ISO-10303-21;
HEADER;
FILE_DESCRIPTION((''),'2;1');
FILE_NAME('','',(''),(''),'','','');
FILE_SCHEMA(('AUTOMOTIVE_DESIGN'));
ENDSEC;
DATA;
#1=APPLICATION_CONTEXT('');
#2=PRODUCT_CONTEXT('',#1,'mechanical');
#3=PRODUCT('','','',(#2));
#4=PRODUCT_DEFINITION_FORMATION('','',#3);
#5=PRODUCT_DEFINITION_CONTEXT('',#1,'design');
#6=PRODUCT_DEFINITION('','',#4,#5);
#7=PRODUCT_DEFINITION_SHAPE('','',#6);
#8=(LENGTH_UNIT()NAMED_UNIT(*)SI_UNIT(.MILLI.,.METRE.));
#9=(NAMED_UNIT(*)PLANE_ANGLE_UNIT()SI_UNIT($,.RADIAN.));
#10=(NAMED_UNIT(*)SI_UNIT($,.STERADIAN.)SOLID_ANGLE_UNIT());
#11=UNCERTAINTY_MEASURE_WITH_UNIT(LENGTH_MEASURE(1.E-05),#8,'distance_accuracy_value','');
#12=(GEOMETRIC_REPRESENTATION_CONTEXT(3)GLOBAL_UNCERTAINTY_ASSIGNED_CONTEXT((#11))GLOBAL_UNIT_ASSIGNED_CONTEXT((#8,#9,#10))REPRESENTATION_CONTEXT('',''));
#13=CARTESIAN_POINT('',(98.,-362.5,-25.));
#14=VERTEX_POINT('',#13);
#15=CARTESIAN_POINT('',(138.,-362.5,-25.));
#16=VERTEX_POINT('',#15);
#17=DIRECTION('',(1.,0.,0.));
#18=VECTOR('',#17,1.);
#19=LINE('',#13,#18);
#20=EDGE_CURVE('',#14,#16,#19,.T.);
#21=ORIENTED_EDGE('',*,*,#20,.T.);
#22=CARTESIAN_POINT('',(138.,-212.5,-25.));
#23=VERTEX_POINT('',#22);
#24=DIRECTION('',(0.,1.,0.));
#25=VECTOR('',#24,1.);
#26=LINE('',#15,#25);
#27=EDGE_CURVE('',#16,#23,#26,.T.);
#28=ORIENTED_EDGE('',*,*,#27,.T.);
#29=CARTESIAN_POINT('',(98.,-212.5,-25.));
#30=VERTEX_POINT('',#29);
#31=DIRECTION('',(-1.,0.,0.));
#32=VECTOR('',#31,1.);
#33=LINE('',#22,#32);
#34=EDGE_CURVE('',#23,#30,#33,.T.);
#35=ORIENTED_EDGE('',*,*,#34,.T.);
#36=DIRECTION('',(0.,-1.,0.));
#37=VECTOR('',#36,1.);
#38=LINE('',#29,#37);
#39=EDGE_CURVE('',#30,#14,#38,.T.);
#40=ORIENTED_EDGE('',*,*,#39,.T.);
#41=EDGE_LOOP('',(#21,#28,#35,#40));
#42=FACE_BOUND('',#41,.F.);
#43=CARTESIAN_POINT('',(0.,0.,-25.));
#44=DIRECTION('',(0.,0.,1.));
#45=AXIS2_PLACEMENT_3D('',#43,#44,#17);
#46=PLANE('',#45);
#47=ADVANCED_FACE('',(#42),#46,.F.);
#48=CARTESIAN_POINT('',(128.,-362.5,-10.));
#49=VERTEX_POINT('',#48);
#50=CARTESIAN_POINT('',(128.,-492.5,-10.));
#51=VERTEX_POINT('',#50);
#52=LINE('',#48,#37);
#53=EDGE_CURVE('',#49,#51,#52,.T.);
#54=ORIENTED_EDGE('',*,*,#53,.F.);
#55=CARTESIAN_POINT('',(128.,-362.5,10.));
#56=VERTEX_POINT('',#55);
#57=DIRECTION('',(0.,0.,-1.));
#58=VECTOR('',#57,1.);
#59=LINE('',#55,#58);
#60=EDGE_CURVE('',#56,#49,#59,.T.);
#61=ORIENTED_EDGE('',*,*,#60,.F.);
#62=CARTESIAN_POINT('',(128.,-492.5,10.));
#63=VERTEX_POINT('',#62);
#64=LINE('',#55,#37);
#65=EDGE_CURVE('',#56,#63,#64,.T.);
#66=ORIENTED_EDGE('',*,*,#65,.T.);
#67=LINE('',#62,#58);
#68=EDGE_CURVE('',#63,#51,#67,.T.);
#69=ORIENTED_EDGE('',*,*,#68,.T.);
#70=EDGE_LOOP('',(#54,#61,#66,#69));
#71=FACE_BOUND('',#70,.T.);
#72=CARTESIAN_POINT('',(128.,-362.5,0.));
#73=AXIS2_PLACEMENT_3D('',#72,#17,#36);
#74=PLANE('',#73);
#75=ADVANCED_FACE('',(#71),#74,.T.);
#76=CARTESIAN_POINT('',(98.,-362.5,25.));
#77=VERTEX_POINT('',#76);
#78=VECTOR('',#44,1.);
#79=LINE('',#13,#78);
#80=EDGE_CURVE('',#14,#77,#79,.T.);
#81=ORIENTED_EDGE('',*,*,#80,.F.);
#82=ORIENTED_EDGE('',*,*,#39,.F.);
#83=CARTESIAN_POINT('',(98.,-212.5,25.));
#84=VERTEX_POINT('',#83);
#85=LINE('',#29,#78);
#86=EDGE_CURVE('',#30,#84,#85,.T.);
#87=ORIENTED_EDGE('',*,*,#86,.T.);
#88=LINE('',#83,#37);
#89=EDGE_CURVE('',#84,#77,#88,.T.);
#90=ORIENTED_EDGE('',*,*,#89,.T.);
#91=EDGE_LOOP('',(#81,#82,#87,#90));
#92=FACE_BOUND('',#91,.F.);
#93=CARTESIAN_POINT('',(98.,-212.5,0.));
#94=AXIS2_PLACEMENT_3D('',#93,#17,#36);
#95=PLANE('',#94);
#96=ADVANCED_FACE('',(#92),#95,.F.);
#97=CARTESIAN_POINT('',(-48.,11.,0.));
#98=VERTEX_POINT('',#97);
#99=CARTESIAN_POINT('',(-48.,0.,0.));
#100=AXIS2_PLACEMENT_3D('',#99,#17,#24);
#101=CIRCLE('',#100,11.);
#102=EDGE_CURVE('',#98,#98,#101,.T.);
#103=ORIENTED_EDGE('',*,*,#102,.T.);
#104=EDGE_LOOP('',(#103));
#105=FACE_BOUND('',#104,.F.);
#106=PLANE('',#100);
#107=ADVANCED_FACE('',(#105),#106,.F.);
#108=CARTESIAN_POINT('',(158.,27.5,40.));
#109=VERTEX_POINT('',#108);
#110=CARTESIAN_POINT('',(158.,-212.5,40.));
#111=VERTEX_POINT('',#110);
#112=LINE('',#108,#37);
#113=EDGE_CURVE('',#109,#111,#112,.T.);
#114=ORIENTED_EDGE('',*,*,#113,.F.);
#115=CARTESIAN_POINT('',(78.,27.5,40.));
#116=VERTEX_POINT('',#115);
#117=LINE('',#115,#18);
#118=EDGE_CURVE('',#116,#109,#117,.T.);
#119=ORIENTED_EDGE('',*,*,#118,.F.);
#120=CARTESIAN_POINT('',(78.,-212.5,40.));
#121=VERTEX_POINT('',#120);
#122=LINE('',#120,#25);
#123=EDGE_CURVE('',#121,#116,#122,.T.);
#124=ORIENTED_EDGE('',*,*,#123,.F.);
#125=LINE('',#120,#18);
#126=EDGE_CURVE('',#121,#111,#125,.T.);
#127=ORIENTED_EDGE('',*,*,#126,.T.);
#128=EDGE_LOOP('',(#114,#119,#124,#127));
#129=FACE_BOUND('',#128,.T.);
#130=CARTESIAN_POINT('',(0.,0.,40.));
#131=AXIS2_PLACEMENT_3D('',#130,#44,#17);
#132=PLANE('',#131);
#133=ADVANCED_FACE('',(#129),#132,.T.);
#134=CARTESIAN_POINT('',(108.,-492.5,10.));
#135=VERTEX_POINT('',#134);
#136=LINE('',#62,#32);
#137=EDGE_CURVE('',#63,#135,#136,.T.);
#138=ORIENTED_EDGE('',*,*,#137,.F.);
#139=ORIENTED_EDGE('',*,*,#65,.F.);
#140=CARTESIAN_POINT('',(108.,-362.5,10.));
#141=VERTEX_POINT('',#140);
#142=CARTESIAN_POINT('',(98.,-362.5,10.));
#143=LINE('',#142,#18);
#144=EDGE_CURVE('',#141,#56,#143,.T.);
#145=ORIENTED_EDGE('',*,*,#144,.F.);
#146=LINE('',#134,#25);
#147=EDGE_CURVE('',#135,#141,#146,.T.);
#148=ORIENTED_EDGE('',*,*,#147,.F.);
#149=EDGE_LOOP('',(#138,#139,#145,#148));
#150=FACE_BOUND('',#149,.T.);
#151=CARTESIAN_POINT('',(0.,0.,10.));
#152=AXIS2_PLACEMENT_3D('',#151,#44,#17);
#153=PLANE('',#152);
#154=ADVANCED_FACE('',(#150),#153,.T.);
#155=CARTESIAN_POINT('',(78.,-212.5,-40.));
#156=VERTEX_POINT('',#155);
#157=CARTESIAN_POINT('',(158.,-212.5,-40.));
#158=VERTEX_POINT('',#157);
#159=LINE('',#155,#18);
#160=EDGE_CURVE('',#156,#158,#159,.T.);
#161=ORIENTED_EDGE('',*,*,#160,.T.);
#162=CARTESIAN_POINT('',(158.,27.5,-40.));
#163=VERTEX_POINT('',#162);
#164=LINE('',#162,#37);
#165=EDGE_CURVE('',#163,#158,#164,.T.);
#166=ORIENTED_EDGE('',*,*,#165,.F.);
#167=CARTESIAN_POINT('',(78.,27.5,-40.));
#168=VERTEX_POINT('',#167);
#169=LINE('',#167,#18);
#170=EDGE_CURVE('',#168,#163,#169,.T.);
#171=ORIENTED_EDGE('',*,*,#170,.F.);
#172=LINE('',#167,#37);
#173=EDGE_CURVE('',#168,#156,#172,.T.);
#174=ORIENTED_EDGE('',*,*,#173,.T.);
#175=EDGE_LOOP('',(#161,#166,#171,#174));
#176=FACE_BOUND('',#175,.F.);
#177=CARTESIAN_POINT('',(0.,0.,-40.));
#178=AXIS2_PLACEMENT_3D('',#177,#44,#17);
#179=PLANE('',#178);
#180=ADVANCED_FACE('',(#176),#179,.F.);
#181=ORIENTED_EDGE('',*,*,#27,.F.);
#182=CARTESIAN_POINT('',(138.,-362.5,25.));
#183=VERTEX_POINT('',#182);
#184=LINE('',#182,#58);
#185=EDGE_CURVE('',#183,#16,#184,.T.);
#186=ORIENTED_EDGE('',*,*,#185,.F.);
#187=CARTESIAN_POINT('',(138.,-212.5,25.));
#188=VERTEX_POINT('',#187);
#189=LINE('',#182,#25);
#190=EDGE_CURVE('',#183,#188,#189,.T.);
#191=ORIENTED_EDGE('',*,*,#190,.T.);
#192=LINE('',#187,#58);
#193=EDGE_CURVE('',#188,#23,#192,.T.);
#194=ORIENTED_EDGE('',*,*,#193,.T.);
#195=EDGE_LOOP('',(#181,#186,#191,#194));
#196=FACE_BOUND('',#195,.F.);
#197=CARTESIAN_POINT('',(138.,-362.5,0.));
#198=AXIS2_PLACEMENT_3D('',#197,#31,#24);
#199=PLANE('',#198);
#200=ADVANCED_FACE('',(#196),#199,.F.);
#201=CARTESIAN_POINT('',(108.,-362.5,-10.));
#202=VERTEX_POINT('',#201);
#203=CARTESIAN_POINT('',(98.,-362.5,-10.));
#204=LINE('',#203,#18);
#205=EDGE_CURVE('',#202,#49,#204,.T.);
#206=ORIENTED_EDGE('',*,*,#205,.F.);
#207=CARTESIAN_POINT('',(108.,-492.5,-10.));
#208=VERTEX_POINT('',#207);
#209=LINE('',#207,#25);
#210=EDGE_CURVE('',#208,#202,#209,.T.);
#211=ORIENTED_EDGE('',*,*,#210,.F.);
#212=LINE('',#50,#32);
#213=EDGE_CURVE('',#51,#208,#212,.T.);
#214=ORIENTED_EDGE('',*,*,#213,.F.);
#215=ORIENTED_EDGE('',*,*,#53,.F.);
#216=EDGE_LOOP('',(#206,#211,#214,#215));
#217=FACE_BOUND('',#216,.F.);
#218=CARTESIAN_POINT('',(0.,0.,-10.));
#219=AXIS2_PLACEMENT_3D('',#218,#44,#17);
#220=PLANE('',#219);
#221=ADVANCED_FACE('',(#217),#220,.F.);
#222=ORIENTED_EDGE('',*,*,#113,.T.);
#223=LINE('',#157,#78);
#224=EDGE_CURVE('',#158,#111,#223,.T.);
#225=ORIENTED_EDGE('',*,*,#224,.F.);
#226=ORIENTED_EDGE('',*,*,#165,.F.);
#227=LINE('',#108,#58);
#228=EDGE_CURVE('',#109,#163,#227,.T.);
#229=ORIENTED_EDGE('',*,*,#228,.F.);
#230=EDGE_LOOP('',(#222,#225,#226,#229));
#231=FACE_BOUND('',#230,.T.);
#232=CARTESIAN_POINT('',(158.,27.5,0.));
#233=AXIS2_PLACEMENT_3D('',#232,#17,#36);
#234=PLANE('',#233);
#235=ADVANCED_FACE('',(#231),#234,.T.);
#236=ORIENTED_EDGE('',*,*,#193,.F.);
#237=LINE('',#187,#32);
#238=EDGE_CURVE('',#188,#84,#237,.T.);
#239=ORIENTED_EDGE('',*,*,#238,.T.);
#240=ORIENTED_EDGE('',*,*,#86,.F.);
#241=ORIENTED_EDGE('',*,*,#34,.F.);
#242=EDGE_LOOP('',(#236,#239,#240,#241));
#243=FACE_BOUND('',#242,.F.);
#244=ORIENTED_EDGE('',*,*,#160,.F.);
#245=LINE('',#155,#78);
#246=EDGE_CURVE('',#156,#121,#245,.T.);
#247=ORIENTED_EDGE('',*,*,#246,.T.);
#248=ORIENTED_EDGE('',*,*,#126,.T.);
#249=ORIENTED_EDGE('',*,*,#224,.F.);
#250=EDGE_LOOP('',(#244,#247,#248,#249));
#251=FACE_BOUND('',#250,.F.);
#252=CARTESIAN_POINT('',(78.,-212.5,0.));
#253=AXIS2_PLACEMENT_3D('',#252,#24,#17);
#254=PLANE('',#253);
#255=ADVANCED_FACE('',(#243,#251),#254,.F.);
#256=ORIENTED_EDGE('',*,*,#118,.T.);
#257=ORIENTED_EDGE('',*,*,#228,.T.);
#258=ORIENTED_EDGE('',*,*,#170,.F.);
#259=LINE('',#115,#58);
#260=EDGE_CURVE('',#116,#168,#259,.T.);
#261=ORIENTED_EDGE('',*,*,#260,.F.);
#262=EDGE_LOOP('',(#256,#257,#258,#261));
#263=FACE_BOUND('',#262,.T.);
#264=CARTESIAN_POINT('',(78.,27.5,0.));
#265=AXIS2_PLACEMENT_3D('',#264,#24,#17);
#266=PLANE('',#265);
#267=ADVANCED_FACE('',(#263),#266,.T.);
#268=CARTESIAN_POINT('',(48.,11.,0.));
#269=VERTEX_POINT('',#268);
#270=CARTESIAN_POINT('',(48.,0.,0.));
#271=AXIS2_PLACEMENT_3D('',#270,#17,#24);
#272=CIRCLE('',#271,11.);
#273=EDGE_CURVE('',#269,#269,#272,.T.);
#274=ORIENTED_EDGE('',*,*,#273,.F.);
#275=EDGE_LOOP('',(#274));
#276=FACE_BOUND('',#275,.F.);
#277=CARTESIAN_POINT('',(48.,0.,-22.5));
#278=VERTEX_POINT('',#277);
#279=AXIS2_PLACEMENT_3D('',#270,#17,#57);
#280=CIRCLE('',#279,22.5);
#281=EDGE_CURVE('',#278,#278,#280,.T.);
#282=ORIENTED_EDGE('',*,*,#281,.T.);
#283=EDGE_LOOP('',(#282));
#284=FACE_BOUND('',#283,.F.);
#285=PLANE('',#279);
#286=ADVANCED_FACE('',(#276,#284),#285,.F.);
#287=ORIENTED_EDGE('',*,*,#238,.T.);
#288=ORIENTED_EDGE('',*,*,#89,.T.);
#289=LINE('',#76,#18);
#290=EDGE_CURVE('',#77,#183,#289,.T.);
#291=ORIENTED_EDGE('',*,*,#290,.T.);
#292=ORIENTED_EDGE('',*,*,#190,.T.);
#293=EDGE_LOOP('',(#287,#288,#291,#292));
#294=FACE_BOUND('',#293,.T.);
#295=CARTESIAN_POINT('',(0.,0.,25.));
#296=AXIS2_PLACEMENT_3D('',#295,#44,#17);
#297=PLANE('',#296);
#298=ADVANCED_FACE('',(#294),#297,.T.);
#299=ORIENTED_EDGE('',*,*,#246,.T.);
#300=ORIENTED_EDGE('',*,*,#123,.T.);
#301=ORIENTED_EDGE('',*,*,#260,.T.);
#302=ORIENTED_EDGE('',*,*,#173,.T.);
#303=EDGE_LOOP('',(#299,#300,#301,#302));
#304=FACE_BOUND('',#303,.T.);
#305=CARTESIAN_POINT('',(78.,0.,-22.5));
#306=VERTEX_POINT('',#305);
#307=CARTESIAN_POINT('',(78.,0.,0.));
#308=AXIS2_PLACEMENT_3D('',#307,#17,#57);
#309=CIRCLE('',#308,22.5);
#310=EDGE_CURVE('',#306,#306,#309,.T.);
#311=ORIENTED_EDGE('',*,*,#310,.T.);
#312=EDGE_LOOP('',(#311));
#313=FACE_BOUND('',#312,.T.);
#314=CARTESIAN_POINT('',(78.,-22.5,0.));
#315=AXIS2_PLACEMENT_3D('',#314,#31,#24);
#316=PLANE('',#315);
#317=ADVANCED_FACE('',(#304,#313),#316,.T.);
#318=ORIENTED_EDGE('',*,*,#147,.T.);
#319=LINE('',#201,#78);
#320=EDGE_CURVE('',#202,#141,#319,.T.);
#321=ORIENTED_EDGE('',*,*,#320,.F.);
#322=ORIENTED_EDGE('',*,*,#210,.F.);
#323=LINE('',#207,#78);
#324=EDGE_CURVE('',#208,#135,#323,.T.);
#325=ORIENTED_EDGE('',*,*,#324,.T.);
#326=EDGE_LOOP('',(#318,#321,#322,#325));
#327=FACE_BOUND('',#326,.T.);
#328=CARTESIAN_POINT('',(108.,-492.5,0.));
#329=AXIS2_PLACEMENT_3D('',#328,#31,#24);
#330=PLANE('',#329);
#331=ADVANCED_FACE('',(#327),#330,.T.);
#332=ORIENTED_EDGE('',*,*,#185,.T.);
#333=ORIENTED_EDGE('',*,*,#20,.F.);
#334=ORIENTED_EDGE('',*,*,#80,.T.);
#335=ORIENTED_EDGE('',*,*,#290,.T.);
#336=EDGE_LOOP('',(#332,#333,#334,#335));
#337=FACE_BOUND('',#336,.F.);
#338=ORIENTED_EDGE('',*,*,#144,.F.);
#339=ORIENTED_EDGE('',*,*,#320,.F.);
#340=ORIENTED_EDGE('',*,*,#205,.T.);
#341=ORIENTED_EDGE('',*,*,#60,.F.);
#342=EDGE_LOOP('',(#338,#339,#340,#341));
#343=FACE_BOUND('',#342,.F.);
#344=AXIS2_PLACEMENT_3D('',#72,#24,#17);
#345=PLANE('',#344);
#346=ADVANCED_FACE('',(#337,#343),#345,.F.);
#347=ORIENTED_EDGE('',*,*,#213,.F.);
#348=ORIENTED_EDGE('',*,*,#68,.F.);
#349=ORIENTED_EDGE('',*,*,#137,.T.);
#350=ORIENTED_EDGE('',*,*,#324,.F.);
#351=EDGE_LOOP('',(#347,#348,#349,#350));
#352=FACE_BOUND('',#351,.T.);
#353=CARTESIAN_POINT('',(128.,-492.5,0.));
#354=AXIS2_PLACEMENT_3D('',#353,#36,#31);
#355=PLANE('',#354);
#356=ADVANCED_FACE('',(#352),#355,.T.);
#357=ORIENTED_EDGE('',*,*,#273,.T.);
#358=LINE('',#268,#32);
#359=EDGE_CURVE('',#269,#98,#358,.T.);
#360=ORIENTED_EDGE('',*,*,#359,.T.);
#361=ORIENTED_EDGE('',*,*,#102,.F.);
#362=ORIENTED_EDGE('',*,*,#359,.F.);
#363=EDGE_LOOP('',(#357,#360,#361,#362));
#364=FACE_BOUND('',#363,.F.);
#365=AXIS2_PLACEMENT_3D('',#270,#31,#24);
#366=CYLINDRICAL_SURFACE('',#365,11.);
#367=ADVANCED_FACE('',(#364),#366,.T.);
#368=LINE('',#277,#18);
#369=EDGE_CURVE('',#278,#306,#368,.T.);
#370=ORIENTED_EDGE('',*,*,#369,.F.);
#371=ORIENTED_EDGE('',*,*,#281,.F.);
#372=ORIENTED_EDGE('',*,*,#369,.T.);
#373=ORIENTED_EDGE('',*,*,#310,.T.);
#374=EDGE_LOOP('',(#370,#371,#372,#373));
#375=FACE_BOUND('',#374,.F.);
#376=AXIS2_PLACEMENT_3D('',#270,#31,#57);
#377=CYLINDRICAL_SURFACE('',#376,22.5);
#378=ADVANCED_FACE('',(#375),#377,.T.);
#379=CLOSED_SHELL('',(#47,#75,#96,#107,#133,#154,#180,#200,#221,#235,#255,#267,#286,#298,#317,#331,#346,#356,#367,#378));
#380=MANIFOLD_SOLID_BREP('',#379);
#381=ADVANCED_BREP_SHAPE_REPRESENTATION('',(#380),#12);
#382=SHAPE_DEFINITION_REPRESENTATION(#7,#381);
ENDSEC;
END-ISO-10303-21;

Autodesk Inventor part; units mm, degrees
ref_plane "YZ Plane" through (0, 0, 0) normal (1, 0, 0) x (0, 1, 0)
ref_plane "XZ Plane" through (0, 0, 0) normal (0, 1, 0) x (-1, 0, 0)
ref_plane "XY Plane" through (0, 0, 0) normal (0, 0, 1) x (1, 0, 0)
sketch "Sketch1" plane through (0, 0, 0) normal (0, 0, 1) x (1, 0, 0)
  line L0 (-76.6085, 0) -> (76.6085, 0) construction
  line L1 (-48, 0) -> (48, 0)
  line L2 (48, 0) -> (48, 11)
  line L3 (48, 11) -> (-48, 11)
  line L4 (-48, 11) -> (-48, 0)
  point P0 (0, 0)
  point P1 (0, 0)
  point P2 (0, 11)
  dimension "d0" = 96
  dimension "d1" = 11
revolve "Revolution1" add sketch "Sketch1" angle 360 about axis through (-76.6085, 0, 0) along (1, 0, 0)
sketch "Sketch2" plane through (48, 0, 0) normal (1, 0, 0) x (0, 0, -1)
  circle A0 centre (0, 0) radius 22.5
  dimension "d3" = 45
extrude "Extrusion1" add sketch "Sketch2" along normal blind 30
sketch "Sketch3" plane through (0, 0, 0) normal (0, 0, 1) x (1, 0, 0)
  line L0 (78, -22.5) -> (78, 22.5) projected
  line L1 (78, 27.5) -> (78, -212.5)
  line L2 (48, 22.5) -> (78, 22.5) projected
  line L3 (48, -22.5) -> (78, -22.5) projected
  line L4 (78, 27.5) -> (158, 27.5)
  line L5 (158, 27.5) -> (158, -212.5)
  line L6 (78, -212.5) -> (98, -212.5)
  line L7 (158, -212.5) -> (138, -212.5)
  line L8 (118, 27.5) -> (118, -212.5) construction
  line L9 (98, -212.5) -> (98, -362.5)
  line L10 (98, -362.5) -> (138, -362.5)
  line L11 (138, -362.5) -> (138, -212.5)
  line L12 (108, -362.5) -> (128, -362.5)
  line L13 (128, -362.5) -> (128, -492.5)
  line L14 (128, -492.5) -> (108, -492.5)
  line L15 (108, -492.5) -> (108, -362.5)
  line L16 (138, -212.5) -> (98, -212.5)
  point P0 (0, 0)
  point P1 (118, -362.5)
  dimension "d6" = 5
  dimension "d7" = 190
  dimension "d8" = 80
  dimension "d9" = 40
  dimension "d10" = 150
  dimension "d36" = 20
  dimension "d37" = 130
extrude "Extrusion2" add sketch "Sketch3" along normal mid plane 80 contours L0 L1 L4 L5 L7 L16 L6
extrude "Extrusion7" add sketch "Sketch3" along normal mid plane 50 contours L16 L11 L10 L9
extrude "Extrusion8" add sketch "Sketch3" along normal mid plane 20 contours L10 L13 L14 L15
properties part number "simp_burnisher"
